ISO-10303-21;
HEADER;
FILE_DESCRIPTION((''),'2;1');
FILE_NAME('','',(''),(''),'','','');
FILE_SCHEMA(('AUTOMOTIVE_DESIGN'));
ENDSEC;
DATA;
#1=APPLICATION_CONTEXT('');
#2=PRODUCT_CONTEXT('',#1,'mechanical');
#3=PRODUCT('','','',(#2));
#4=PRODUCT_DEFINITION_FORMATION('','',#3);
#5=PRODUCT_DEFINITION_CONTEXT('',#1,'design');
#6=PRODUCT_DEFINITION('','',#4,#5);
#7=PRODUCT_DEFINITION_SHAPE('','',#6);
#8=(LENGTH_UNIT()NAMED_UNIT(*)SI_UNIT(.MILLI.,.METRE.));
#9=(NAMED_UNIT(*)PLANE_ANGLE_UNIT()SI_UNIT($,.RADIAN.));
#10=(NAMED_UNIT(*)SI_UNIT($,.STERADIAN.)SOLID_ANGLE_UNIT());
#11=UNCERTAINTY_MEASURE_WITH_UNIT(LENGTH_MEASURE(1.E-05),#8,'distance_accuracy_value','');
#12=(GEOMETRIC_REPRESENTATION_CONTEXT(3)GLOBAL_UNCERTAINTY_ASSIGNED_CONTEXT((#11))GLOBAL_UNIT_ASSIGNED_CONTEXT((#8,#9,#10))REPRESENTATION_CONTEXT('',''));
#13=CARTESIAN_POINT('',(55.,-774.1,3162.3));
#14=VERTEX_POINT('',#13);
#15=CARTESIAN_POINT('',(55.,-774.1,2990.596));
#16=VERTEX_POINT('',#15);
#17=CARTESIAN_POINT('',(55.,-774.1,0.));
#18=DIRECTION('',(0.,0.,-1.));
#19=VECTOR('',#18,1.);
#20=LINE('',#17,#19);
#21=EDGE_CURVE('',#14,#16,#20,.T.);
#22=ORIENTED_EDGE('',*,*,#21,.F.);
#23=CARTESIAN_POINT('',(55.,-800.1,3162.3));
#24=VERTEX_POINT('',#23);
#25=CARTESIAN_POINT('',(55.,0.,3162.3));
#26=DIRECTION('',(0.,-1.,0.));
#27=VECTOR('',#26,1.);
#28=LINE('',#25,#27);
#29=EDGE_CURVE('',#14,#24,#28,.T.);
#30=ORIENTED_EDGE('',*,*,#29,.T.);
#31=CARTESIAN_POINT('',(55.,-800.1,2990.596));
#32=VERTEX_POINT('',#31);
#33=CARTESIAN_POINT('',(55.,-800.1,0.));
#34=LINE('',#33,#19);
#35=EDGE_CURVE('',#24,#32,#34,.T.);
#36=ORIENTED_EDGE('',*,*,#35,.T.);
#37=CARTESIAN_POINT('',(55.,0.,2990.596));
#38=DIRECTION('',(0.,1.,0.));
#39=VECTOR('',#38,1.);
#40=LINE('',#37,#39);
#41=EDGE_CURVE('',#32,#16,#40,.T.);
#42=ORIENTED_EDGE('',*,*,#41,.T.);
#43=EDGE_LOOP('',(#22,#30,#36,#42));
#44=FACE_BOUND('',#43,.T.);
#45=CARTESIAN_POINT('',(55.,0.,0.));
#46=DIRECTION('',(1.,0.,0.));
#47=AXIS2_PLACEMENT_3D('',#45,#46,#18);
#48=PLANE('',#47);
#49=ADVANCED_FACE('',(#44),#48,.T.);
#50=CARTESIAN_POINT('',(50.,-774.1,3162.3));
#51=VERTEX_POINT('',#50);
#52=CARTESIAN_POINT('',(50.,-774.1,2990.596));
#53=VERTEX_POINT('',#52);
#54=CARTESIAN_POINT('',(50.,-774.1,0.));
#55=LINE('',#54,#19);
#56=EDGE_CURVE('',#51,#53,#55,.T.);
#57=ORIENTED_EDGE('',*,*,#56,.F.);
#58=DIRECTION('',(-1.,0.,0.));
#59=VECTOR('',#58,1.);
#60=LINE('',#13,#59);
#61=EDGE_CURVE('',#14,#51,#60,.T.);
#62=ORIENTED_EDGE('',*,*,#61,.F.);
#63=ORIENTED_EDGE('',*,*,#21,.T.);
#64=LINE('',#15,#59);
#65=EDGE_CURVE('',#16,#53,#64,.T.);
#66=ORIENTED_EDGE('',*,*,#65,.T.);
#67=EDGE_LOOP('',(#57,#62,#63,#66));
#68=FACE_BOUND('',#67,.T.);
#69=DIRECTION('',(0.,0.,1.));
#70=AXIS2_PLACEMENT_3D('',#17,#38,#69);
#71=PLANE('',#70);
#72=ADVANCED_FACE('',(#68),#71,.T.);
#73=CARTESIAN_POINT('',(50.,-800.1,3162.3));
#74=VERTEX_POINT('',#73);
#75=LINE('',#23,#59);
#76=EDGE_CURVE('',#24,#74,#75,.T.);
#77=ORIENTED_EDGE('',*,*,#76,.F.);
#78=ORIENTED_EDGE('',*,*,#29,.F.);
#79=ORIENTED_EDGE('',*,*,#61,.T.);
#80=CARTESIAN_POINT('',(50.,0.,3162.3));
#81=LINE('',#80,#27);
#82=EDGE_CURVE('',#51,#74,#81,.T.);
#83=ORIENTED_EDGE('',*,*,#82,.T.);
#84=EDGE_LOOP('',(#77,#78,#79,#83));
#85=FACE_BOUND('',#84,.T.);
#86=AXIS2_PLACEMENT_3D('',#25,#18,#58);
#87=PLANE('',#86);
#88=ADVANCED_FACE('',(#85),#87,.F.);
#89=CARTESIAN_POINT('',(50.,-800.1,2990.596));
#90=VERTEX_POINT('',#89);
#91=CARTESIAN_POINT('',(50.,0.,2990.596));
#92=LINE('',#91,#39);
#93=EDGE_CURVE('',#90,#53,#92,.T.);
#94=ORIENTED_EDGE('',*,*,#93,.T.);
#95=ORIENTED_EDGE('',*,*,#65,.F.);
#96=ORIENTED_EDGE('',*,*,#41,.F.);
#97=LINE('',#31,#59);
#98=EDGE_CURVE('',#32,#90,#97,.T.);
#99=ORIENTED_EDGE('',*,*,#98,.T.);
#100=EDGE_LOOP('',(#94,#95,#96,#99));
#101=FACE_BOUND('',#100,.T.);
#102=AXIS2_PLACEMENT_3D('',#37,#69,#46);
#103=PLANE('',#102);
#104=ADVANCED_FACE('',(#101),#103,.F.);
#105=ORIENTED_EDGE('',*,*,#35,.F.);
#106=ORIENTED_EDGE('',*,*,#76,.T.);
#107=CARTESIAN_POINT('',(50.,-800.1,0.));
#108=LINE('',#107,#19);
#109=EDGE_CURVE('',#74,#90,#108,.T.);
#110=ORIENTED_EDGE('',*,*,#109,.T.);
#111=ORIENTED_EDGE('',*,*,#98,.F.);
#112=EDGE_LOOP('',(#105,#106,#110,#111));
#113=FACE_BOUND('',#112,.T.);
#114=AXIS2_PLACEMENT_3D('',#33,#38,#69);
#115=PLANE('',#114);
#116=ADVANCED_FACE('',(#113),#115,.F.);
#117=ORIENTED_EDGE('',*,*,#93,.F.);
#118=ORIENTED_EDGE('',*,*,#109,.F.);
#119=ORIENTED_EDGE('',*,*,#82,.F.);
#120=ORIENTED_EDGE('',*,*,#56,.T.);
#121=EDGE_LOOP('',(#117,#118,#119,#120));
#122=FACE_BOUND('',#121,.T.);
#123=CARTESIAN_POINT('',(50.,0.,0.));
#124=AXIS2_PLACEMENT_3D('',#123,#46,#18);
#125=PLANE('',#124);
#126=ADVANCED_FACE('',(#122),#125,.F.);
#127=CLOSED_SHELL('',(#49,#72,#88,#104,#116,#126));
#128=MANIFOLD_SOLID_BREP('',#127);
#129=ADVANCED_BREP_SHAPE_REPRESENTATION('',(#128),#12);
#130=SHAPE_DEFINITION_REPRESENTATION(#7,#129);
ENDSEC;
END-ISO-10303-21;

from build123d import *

# Parameters (mm, degrees)
BOSS_EXTRUDE1_START = 50
SKETCH1_W           = 16.9195
SKETCH1_H           = 57.785
SKETCH1_W_2         = 9.0805
BOSS_EXTRUDE1_DEPTH = 5


with BuildPart() as part:
    # Sketch1 → Boss-Extrude1 (new body)
    with BuildSketch(Plane.YZ.offset(BOSS_EXTRUDE1_START)):
        Polygon((-774.1, 3048.381), (-774.1, 3162.3), (-800.1, 3162.3), (-800.1, 3048.381), (-791.0195, 3048.381), align=None)
        with Locations((-782.55975, 3019.4885)):
            Rectangle(SKETCH1_W, SKETCH1_H)
        with Locations((-795.55975, 3019.4885)):
            Rectangle(SKETCH1_W_2, SKETCH1_H)
    extrude(amount=BOSS_EXTRUDE1_DEPTH)


solid = part.part
